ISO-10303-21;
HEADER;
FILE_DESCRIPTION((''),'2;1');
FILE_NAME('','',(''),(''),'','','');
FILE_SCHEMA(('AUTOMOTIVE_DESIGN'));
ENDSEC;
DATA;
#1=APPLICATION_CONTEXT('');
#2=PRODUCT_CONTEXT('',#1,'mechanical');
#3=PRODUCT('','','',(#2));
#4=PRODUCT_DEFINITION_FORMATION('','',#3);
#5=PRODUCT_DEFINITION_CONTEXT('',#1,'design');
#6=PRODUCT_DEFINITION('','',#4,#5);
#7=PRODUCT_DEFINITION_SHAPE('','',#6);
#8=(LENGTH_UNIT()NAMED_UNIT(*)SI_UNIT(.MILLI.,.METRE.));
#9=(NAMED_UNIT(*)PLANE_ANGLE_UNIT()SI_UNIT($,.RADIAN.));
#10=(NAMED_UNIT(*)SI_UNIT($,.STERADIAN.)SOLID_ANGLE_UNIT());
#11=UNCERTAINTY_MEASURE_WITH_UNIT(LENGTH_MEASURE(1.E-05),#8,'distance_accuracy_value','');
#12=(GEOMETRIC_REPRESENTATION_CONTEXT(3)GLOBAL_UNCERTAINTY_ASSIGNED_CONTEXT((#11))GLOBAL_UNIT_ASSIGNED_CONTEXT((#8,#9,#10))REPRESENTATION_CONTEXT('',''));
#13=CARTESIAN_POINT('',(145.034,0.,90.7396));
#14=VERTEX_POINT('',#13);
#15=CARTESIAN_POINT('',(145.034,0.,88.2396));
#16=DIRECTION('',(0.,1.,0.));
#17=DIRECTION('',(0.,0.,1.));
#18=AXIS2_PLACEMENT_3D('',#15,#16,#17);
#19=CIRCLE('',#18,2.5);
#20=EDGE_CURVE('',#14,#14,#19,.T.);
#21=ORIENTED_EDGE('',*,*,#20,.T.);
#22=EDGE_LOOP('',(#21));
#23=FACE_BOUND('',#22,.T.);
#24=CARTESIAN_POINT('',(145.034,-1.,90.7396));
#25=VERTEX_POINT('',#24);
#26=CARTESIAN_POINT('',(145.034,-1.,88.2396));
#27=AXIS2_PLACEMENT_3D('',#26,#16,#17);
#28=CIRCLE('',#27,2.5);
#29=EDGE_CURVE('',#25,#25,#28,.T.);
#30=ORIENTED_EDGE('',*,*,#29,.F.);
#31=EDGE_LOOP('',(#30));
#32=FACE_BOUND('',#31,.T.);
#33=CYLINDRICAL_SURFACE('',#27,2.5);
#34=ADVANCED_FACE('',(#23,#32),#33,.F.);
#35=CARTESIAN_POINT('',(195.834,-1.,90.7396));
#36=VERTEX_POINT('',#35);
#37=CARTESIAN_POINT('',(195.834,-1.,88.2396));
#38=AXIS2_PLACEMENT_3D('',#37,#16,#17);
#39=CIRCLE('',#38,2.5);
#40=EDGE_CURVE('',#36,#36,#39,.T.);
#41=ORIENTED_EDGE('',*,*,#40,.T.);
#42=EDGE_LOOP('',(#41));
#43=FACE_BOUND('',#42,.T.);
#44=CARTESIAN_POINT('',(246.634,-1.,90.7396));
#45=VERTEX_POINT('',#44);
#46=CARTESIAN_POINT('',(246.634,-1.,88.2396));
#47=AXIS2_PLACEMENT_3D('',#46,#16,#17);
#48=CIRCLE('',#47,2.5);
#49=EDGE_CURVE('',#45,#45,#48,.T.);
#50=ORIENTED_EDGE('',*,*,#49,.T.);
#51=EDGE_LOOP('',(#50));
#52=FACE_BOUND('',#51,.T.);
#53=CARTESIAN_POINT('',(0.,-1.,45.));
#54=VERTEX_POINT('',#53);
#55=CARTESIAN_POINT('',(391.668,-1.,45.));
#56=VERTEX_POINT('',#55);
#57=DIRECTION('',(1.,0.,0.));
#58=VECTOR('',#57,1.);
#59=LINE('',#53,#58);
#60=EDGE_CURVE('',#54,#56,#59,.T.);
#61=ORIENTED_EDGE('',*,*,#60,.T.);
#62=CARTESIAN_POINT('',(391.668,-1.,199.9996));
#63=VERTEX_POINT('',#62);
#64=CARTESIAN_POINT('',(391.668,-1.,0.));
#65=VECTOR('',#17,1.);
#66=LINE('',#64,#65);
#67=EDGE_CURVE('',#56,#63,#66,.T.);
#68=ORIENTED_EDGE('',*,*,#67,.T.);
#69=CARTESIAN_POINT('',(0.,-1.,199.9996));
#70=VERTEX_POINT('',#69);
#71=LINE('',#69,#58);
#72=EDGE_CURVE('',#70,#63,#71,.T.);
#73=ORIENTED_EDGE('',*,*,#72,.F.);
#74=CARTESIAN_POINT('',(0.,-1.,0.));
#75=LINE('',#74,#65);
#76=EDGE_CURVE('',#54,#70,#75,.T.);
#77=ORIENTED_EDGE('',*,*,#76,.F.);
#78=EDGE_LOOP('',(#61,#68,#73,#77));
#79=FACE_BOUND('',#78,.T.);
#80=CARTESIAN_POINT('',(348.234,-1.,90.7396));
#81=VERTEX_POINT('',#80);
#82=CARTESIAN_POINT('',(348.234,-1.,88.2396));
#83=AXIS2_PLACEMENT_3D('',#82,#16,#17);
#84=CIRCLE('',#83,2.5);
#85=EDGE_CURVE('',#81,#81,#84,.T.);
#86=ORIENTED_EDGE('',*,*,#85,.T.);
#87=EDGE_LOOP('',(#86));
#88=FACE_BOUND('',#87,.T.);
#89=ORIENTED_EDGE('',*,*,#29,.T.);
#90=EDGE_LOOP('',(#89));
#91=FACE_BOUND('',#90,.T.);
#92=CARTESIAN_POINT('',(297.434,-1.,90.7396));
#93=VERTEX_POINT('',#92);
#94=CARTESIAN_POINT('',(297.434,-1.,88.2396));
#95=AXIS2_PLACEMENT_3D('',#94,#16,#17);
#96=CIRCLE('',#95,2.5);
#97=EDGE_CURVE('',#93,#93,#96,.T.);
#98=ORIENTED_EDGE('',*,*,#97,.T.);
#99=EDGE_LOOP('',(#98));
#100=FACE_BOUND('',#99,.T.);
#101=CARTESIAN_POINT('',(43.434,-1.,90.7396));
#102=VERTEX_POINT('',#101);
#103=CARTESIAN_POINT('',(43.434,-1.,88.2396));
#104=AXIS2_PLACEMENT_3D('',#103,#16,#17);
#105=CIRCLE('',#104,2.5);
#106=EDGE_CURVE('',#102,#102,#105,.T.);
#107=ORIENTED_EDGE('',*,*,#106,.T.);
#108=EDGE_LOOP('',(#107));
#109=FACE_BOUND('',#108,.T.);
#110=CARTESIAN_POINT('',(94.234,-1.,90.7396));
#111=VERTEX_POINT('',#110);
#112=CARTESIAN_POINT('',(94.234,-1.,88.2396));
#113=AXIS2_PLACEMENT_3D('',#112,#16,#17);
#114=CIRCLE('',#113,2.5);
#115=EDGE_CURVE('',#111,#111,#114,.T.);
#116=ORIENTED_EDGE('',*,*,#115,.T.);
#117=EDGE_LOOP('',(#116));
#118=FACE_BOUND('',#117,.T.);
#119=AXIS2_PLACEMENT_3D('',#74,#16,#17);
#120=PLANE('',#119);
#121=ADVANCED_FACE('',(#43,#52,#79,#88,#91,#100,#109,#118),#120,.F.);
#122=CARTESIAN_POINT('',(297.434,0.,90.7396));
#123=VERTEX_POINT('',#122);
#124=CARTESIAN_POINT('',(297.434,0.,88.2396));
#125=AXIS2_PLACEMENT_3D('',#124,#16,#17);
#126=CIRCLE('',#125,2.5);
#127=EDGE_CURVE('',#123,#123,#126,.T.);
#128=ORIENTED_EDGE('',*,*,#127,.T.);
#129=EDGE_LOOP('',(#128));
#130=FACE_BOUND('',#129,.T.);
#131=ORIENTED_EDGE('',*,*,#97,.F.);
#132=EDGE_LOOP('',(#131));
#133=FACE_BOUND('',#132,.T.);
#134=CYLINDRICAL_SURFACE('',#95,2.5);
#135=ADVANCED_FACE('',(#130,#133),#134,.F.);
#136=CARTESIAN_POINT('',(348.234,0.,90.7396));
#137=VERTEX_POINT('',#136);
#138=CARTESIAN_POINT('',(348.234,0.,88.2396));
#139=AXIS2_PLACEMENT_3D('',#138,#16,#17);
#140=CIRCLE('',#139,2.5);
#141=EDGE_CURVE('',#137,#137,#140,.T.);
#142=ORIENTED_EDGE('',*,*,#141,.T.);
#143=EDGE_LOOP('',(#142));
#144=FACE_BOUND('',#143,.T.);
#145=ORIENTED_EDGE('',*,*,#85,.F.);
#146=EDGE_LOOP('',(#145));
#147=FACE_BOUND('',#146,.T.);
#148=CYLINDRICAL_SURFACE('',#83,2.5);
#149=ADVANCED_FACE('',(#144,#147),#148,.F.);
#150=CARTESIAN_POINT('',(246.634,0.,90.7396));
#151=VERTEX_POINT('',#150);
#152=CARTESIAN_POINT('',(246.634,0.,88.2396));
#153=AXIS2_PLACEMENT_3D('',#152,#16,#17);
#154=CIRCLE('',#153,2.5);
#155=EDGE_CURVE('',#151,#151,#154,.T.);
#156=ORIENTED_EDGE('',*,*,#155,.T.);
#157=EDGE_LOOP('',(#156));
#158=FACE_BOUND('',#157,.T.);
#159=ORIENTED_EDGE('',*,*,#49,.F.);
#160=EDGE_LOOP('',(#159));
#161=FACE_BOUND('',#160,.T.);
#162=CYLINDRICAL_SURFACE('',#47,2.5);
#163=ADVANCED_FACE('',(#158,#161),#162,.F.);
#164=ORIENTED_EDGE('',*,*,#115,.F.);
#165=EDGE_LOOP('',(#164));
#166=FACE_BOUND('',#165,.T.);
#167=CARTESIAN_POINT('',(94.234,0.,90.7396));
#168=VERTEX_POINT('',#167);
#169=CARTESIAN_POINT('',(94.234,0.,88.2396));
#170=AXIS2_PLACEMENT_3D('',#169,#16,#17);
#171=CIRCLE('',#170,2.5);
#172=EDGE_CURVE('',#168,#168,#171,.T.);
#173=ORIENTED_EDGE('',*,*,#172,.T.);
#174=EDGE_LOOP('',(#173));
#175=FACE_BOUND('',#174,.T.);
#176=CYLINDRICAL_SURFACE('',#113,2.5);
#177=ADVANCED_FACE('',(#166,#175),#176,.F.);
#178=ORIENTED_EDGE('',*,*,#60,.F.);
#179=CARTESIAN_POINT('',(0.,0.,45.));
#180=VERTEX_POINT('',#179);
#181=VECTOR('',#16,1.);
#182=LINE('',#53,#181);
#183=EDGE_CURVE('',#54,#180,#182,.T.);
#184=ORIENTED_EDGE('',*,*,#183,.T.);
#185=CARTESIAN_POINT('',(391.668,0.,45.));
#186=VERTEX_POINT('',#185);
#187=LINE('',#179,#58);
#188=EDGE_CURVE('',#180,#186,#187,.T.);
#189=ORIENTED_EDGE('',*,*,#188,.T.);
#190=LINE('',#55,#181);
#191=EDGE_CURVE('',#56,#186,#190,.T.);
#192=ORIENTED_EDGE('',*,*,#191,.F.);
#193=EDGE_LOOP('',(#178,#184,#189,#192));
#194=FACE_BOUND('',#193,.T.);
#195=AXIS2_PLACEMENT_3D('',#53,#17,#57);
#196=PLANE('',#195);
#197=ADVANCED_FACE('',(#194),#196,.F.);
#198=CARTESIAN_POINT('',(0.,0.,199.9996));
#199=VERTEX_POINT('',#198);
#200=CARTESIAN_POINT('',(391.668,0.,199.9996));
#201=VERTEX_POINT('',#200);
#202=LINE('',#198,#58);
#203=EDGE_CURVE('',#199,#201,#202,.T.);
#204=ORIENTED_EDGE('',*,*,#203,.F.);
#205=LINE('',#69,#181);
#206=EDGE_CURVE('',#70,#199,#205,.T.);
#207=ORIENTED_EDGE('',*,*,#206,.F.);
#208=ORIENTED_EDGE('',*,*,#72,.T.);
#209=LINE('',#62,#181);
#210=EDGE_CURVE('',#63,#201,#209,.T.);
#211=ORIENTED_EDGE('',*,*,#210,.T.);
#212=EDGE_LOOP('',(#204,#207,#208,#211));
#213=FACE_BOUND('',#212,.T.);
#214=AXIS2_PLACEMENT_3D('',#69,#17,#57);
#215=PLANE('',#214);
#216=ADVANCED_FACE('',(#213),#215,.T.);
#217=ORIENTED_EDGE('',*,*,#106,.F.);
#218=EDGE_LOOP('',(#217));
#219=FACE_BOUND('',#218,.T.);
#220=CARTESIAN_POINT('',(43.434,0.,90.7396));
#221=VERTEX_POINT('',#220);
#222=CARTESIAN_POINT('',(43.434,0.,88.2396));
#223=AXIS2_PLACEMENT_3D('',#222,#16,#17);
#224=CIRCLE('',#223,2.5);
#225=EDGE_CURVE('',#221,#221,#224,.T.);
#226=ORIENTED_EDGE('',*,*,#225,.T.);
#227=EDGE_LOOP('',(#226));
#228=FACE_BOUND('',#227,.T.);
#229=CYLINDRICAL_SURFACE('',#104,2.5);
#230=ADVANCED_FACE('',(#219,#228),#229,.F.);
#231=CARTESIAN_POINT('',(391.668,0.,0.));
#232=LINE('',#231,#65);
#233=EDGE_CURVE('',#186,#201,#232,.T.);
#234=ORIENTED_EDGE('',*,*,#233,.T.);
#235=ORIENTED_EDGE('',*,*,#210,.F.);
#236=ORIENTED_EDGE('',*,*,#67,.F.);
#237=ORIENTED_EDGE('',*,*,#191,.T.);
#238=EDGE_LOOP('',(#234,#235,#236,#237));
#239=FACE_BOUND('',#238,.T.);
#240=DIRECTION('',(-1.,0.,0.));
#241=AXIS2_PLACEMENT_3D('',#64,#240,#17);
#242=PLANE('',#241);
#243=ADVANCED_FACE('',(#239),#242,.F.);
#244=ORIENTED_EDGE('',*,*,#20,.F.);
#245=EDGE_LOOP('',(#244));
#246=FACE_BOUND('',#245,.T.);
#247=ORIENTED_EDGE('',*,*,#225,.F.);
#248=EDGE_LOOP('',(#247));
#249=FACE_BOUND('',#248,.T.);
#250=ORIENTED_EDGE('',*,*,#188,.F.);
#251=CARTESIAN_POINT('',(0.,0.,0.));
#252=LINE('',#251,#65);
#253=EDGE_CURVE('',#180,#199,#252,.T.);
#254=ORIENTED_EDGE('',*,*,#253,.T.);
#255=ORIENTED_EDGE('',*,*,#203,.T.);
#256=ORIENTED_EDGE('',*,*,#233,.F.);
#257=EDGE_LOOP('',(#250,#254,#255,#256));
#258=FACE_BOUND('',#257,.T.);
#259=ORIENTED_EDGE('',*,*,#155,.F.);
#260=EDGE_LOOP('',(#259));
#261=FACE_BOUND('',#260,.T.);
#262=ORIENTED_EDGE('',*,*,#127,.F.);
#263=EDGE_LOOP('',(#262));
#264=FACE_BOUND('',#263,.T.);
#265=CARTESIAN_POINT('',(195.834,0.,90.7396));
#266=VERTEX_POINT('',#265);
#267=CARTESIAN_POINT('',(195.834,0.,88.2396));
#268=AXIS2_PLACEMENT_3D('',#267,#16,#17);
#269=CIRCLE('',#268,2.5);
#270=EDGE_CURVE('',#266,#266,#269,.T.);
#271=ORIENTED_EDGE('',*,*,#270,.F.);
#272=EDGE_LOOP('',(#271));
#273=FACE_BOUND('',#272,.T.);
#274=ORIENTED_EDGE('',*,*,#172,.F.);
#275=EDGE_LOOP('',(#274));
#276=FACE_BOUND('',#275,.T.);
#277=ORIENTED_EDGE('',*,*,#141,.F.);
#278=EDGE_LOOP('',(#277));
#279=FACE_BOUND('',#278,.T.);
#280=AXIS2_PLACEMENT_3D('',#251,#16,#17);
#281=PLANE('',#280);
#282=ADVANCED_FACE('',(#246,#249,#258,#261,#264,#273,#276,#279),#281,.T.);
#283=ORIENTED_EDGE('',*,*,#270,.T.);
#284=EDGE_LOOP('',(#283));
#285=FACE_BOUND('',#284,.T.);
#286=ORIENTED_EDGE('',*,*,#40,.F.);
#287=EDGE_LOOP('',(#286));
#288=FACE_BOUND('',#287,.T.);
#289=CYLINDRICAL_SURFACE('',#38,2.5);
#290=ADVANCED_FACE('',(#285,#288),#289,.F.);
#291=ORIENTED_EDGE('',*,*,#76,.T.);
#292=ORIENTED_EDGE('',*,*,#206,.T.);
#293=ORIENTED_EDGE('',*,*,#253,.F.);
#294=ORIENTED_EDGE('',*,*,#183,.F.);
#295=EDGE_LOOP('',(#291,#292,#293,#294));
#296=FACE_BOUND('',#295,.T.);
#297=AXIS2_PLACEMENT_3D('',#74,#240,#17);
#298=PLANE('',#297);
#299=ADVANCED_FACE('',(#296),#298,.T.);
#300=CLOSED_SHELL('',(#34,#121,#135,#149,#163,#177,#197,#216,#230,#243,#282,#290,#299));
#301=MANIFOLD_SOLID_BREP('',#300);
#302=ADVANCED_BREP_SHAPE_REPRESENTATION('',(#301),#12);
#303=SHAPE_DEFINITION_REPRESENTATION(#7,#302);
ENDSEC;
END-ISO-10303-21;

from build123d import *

# Parameters (mm, degrees)
SKETCH1_W               = 391.668
SKETCH1_H               = 199.9996
SKETCH1_R               = 2.5
BOSS_EXTRUDE1_DEPTH     = 1
SKETCH2_W               = 391.668
SKETCH2_H               = 45
CUT_EXTRUDE1_DEPTH      = 1
CUT_EXTRUDE1_DEPTH_BACK = 2


with BuildPart() as part:
    # Sketch1 → Boss-Extrude1 (new body)
    with BuildSketch(Plane(origin=(0, 0, 0), x_dir=(1, 0, 0), z_dir=(0, 1, 0))):
        with Locations((195.834, -99.9998)):
            Rectangle(SKETCH1_W, SKETCH1_H)
        with Locations((348.234, -88.2396)):
            Circle(SKETCH1_R, mode=Mode.SUBTRACT)
        with Locations((297.434, -88.2396)):
            Circle(SKETCH1_R, mode=Mode.SUBTRACT)
        with Locations((246.634, -88.2396)):
            Circle(SKETCH1_R, mode=Mode.SUBTRACT)
        with Locations((43.434, -88.2396)):
            Circle(SKETCH1_R, mode=Mode.SUBTRACT)
        with Locations((94.234, -88.2396)):
            Circle(SKETCH1_R, mode=Mode.SUBTRACT)
        with Locations((145.034, -88.2396)):
            Circle(SKETCH1_R, mode=Mode.SUBTRACT)
        with Locations((195.834, -88.2396)):
            Circle(SKETCH1_R, mode=Mode.SUBTRACT)
    extrude(amount=-BOSS_EXTRUDE1_DEPTH)

    # Sketch2 → Cut-Extrude1 (cut, two sides)
    with BuildSketch(Plane(origin=(0, 0, 0), x_dir=(1, 0, 0), z_dir=(0, 1, 0))) as cut_extrude1_sk:
        with Locations((195.834, -22.5)):
            Rectangle(SKETCH2_W, SKETCH2_H)
    extrude(amount=CUT_EXTRUDE1_DEPTH, mode=Mode.SUBTRACT)
    extrude(cut_extrude1_sk.sketch, amount=-CUT_EXTRUDE1_DEPTH_BACK, mode=Mode.SUBTRACT)


solid = part.part
